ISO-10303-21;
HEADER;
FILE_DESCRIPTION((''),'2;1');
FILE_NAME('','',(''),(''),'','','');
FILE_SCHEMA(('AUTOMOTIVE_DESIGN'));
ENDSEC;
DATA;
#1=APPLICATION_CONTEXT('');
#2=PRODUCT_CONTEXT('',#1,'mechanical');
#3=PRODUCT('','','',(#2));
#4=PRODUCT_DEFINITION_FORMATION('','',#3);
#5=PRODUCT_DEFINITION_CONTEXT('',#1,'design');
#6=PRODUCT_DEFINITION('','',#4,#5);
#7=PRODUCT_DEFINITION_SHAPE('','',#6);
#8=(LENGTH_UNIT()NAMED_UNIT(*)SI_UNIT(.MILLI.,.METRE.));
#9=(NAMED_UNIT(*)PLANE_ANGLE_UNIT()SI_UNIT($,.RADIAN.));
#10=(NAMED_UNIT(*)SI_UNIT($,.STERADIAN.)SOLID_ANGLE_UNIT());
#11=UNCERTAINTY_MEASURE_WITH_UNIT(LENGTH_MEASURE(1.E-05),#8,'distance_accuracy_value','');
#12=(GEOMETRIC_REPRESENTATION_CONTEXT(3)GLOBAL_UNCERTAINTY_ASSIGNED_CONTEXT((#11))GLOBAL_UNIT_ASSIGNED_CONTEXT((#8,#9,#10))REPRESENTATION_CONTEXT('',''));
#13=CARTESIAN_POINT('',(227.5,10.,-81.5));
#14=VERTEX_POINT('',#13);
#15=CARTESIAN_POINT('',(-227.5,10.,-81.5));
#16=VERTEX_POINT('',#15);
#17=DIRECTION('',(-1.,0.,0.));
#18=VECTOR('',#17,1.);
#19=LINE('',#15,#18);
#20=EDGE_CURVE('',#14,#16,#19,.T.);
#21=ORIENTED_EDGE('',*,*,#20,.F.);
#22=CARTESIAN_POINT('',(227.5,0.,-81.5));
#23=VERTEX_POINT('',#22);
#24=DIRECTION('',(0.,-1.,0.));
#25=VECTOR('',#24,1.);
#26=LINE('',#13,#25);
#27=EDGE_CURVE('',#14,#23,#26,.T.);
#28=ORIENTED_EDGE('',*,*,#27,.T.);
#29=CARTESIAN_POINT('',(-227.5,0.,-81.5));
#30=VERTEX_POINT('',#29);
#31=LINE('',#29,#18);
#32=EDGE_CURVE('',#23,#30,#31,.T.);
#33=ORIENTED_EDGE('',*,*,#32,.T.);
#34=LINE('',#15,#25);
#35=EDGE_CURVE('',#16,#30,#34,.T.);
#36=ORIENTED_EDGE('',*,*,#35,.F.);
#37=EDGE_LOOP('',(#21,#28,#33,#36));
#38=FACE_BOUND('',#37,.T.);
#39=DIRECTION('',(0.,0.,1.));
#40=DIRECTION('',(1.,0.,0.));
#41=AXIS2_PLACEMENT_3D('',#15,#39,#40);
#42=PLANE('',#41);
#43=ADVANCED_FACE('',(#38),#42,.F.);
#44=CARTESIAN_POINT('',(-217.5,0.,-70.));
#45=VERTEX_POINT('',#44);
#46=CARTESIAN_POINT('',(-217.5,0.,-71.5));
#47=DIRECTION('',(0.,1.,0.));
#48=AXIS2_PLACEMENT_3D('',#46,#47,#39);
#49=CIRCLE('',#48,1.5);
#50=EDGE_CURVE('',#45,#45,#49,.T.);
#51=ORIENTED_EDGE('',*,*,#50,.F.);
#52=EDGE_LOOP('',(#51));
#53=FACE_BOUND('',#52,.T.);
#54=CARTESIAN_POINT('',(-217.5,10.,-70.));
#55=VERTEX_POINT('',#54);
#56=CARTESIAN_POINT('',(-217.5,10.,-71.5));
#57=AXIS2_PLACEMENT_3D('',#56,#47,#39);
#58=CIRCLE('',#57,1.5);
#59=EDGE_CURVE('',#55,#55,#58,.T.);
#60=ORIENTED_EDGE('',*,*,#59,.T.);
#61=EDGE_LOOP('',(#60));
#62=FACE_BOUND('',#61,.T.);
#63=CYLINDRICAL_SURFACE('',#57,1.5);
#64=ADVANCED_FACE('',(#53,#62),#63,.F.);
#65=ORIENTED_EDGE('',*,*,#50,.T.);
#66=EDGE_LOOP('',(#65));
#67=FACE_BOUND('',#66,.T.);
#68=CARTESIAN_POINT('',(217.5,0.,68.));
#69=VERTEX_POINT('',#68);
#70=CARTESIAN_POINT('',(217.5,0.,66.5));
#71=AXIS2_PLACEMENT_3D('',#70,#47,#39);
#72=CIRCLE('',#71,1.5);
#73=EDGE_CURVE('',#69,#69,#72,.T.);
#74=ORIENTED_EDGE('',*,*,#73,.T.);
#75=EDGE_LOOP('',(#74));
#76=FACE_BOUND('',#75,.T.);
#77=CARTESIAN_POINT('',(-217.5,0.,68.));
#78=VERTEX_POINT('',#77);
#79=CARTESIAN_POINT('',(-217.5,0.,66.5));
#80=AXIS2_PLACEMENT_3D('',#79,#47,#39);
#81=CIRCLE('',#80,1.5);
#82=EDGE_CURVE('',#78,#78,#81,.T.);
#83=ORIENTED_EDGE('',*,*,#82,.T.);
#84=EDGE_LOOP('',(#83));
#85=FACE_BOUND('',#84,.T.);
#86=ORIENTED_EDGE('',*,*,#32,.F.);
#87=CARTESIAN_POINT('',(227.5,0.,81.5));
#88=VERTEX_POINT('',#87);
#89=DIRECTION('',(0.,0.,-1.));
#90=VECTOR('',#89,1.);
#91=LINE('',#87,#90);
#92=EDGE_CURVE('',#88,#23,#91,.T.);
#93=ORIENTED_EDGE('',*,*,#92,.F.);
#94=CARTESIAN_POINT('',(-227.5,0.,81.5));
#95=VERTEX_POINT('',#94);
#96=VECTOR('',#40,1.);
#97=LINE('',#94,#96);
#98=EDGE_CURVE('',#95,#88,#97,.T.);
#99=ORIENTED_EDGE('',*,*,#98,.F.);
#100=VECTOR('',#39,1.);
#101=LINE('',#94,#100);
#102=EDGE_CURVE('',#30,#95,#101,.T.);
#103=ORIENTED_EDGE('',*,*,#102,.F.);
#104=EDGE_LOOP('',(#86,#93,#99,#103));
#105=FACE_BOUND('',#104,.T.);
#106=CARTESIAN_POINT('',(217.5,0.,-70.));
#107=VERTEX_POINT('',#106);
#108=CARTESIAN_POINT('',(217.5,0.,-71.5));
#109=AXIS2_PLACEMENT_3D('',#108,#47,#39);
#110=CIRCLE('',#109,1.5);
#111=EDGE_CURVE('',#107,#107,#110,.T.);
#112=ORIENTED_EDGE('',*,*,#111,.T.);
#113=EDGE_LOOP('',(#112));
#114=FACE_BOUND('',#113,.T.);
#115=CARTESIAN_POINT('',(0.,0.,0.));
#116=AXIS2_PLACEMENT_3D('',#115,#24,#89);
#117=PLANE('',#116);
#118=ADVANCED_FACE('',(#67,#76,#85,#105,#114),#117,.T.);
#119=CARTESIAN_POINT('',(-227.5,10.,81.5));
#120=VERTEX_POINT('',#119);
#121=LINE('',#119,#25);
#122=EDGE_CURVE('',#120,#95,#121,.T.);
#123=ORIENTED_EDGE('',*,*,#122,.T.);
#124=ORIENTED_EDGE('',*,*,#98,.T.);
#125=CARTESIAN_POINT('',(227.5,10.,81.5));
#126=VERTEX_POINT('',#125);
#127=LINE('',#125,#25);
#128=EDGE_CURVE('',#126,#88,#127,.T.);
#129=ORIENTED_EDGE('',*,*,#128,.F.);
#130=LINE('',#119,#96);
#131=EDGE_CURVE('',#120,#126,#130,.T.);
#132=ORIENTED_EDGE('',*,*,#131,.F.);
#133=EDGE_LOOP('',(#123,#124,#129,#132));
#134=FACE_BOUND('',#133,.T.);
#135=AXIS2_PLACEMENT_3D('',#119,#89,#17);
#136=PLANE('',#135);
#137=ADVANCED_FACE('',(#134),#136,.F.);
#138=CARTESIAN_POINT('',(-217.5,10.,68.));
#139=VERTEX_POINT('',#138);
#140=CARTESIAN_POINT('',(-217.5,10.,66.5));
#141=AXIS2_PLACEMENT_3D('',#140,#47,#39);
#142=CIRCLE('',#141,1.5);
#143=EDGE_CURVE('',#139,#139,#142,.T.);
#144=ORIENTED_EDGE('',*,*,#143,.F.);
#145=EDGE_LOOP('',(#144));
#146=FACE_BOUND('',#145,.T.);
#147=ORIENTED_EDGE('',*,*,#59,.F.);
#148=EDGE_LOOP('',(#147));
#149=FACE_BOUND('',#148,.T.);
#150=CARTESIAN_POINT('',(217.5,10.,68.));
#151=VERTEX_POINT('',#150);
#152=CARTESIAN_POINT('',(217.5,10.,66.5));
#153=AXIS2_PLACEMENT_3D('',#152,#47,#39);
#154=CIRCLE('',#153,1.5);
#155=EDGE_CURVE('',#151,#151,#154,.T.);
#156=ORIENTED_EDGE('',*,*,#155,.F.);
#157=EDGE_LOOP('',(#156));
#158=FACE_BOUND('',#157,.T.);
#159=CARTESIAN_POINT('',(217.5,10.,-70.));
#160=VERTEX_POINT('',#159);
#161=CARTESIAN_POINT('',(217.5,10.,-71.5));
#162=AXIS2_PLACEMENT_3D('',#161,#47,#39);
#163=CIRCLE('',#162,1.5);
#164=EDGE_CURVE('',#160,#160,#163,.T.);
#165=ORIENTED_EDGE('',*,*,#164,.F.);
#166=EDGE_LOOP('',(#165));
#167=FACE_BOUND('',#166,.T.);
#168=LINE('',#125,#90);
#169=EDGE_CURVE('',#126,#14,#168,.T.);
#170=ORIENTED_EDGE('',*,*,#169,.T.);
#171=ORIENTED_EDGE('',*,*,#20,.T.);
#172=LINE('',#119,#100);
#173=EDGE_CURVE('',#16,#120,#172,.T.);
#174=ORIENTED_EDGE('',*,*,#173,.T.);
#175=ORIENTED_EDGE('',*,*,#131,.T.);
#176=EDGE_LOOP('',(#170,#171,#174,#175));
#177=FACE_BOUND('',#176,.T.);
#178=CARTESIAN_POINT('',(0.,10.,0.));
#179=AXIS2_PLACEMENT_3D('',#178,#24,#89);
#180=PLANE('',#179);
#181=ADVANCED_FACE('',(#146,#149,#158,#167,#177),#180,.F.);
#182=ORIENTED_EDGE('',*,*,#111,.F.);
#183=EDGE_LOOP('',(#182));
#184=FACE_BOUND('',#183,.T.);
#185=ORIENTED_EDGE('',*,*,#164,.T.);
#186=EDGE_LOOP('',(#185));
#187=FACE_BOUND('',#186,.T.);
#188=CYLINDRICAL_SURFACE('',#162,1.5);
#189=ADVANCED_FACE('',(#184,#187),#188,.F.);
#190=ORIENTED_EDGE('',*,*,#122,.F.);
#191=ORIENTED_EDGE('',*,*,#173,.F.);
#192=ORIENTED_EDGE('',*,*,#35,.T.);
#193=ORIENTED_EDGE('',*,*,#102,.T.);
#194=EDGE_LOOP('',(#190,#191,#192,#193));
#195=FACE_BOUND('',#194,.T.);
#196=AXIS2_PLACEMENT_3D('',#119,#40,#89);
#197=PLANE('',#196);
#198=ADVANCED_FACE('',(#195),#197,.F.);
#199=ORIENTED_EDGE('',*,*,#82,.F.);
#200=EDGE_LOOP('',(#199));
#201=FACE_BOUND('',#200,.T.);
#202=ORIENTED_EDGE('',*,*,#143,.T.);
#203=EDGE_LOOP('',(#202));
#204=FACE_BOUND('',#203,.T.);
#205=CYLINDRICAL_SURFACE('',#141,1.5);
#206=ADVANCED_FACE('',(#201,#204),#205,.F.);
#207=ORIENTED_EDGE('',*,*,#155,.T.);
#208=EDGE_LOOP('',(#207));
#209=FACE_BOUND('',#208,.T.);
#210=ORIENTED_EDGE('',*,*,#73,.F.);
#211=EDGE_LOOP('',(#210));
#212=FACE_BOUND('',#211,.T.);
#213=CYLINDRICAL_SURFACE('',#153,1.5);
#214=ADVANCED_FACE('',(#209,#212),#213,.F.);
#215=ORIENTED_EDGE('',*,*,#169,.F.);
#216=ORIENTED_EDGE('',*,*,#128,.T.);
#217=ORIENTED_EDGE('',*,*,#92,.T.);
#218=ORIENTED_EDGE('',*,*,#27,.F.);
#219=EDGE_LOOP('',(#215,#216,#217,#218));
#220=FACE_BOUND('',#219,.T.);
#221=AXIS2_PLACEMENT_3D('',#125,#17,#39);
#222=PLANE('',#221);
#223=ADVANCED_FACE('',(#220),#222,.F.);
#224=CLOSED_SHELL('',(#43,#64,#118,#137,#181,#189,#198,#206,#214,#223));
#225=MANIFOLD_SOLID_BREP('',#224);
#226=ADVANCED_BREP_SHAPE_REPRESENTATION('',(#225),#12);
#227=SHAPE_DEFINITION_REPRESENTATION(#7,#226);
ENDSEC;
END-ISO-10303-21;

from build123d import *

# Parameters (mm, degrees)
SKETCH1_W                   = 455
SKETCH1_H                   = 163
BOSS_EXTRUDE1_DEPTH         = 10
F_32_0_116_DIAMETER_HOLE1_D = 3.000000096


with BuildPart() as part:
    # Sketch1 → Boss-Extrude1 (new body)
    with BuildSketch(Plane(origin=(0, 0, 0), x_dir=(1, 0, 0), z_dir=(0, 1, 0))):
        Rectangle(SKETCH1_W, SKETCH1_H)
    extrude(amount=BOSS_EXTRUDE1_DEPTH)

    # #32 (0.116) Diameter Hole1 (through all)
    with Locations(Plane(origin=(0, 10, 0), x_dir=(1, 0, 0), z_dir=(0, 1, 0))):
        with Locations((217.5, -66.5), (217.5, 71.5), (-217.5, 71.5), (-217.5, -66.5)):
            Hole(F_32_0_116_DIAMETER_HOLE1_D / 2)


solid = part.part
